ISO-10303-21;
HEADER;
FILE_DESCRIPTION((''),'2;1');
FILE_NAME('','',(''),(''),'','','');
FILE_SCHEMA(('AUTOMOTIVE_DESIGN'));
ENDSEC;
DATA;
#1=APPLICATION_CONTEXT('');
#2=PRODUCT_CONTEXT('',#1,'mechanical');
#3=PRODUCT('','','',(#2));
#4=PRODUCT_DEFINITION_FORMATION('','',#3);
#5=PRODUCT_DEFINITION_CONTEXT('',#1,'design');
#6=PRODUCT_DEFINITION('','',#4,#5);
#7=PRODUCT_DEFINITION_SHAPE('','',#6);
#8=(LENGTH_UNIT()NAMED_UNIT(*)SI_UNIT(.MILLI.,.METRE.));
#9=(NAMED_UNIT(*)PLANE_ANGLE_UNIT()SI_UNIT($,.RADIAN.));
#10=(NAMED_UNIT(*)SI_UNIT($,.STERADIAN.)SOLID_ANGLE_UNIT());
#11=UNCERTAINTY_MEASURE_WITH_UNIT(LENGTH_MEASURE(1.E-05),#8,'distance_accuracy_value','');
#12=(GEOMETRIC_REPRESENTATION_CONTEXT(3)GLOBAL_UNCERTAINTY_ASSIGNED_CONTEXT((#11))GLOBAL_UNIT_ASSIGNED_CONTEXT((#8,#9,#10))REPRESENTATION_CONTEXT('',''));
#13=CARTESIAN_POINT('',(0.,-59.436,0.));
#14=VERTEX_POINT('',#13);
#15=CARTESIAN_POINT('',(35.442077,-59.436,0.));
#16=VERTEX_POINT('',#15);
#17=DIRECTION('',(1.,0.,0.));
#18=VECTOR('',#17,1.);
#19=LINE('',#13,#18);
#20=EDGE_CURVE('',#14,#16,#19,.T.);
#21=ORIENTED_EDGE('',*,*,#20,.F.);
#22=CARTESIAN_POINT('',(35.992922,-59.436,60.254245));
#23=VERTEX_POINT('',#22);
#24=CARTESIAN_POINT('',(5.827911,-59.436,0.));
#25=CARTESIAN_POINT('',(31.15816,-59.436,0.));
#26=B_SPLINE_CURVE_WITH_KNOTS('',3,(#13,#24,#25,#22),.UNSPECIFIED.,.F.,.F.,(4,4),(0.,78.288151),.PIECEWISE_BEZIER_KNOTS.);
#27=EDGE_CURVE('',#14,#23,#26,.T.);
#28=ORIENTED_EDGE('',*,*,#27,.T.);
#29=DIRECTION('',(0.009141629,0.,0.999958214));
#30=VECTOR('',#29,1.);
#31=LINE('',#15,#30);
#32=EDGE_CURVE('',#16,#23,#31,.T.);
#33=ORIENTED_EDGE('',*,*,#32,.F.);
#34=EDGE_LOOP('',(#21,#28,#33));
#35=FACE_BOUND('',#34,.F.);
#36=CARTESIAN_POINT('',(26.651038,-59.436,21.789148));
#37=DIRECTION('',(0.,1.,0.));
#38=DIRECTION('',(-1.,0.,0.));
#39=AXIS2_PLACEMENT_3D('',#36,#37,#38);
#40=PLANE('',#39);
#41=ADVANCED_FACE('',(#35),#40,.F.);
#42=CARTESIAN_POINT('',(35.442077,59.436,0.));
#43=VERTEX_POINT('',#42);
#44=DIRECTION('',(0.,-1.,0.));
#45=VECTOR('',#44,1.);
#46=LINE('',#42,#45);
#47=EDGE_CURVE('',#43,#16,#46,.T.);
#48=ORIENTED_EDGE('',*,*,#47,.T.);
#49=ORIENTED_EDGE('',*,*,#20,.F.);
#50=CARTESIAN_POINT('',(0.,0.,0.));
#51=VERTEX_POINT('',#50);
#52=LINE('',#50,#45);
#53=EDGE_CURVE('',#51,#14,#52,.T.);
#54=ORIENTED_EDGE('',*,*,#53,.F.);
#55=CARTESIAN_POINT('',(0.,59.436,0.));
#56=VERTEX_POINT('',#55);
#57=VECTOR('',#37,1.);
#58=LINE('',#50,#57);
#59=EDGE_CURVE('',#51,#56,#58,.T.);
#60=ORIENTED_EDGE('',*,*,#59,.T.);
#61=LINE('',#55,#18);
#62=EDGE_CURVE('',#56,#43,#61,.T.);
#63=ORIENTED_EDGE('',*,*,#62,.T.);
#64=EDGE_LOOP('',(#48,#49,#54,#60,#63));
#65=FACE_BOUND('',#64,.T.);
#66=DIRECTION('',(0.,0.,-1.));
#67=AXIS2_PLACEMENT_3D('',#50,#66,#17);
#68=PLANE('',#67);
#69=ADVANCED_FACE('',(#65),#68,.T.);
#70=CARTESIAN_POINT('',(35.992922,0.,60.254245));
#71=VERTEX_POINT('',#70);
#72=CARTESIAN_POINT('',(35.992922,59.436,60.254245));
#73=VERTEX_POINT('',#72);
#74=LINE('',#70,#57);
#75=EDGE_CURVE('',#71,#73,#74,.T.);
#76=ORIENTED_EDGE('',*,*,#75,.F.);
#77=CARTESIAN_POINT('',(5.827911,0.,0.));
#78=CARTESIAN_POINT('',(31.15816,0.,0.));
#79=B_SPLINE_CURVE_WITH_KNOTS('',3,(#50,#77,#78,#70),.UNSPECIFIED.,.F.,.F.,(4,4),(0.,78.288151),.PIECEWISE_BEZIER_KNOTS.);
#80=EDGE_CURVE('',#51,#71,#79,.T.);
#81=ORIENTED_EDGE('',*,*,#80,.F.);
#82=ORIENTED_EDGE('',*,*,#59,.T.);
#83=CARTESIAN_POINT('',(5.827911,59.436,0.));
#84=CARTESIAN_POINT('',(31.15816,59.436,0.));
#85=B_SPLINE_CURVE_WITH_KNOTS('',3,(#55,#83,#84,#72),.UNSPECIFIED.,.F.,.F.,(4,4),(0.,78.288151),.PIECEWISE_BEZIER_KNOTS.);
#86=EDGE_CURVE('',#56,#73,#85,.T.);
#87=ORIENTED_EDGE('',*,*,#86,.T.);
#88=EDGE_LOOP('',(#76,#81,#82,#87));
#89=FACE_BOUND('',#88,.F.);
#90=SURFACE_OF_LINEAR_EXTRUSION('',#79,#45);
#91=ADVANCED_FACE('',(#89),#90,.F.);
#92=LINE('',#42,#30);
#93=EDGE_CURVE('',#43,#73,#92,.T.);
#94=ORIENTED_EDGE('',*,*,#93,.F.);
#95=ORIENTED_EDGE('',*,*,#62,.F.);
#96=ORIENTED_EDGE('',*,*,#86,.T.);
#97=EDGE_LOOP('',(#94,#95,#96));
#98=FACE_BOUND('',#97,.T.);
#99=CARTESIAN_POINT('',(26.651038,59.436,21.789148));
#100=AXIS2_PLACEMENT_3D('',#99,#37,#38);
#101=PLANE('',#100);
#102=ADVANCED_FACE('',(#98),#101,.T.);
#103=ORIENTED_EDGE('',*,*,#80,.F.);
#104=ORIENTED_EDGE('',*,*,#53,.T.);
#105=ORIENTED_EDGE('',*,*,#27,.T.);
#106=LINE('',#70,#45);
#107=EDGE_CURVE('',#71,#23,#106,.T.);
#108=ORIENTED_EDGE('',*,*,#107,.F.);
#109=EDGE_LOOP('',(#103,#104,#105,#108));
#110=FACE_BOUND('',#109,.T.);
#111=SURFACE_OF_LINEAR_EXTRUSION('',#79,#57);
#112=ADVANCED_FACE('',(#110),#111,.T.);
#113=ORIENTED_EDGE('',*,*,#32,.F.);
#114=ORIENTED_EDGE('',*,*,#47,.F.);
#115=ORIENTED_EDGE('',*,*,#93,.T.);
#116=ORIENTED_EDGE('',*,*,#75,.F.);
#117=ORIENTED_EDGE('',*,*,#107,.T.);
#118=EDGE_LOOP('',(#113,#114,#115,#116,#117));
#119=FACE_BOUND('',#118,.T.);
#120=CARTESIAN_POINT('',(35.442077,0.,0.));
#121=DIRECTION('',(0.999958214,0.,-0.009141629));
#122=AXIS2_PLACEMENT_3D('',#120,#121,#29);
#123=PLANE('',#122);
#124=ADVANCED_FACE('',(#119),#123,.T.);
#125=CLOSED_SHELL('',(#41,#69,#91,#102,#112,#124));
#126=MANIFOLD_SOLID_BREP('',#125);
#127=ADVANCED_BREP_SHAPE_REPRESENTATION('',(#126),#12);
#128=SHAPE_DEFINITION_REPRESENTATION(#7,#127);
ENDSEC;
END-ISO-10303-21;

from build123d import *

# Parameters (mm, degrees)
F1_DEPTH = 59.436


with BuildPart() as f1:
    # F0 (on Front) → F1 (new body, symmetric)
    with BuildSketch(Plane.XZ):
        with BuildLine():
            add(Edge.make_bspline(
                [(0, 0), (5.827911, 0), (31.15816, 0), (35.992922, 60.254245)],
                knots=[0, 0, 0, 0, 78.288151, 78.288151, 78.288151, 78.288151], degree=3))
            Line((0, 0), (35.442077, 0))
            Line((35.442077, 0), (35.992922, 60.254245))
        make_face()
    extrude(amount=F1_DEPTH, both=True)


solid = f1.part
